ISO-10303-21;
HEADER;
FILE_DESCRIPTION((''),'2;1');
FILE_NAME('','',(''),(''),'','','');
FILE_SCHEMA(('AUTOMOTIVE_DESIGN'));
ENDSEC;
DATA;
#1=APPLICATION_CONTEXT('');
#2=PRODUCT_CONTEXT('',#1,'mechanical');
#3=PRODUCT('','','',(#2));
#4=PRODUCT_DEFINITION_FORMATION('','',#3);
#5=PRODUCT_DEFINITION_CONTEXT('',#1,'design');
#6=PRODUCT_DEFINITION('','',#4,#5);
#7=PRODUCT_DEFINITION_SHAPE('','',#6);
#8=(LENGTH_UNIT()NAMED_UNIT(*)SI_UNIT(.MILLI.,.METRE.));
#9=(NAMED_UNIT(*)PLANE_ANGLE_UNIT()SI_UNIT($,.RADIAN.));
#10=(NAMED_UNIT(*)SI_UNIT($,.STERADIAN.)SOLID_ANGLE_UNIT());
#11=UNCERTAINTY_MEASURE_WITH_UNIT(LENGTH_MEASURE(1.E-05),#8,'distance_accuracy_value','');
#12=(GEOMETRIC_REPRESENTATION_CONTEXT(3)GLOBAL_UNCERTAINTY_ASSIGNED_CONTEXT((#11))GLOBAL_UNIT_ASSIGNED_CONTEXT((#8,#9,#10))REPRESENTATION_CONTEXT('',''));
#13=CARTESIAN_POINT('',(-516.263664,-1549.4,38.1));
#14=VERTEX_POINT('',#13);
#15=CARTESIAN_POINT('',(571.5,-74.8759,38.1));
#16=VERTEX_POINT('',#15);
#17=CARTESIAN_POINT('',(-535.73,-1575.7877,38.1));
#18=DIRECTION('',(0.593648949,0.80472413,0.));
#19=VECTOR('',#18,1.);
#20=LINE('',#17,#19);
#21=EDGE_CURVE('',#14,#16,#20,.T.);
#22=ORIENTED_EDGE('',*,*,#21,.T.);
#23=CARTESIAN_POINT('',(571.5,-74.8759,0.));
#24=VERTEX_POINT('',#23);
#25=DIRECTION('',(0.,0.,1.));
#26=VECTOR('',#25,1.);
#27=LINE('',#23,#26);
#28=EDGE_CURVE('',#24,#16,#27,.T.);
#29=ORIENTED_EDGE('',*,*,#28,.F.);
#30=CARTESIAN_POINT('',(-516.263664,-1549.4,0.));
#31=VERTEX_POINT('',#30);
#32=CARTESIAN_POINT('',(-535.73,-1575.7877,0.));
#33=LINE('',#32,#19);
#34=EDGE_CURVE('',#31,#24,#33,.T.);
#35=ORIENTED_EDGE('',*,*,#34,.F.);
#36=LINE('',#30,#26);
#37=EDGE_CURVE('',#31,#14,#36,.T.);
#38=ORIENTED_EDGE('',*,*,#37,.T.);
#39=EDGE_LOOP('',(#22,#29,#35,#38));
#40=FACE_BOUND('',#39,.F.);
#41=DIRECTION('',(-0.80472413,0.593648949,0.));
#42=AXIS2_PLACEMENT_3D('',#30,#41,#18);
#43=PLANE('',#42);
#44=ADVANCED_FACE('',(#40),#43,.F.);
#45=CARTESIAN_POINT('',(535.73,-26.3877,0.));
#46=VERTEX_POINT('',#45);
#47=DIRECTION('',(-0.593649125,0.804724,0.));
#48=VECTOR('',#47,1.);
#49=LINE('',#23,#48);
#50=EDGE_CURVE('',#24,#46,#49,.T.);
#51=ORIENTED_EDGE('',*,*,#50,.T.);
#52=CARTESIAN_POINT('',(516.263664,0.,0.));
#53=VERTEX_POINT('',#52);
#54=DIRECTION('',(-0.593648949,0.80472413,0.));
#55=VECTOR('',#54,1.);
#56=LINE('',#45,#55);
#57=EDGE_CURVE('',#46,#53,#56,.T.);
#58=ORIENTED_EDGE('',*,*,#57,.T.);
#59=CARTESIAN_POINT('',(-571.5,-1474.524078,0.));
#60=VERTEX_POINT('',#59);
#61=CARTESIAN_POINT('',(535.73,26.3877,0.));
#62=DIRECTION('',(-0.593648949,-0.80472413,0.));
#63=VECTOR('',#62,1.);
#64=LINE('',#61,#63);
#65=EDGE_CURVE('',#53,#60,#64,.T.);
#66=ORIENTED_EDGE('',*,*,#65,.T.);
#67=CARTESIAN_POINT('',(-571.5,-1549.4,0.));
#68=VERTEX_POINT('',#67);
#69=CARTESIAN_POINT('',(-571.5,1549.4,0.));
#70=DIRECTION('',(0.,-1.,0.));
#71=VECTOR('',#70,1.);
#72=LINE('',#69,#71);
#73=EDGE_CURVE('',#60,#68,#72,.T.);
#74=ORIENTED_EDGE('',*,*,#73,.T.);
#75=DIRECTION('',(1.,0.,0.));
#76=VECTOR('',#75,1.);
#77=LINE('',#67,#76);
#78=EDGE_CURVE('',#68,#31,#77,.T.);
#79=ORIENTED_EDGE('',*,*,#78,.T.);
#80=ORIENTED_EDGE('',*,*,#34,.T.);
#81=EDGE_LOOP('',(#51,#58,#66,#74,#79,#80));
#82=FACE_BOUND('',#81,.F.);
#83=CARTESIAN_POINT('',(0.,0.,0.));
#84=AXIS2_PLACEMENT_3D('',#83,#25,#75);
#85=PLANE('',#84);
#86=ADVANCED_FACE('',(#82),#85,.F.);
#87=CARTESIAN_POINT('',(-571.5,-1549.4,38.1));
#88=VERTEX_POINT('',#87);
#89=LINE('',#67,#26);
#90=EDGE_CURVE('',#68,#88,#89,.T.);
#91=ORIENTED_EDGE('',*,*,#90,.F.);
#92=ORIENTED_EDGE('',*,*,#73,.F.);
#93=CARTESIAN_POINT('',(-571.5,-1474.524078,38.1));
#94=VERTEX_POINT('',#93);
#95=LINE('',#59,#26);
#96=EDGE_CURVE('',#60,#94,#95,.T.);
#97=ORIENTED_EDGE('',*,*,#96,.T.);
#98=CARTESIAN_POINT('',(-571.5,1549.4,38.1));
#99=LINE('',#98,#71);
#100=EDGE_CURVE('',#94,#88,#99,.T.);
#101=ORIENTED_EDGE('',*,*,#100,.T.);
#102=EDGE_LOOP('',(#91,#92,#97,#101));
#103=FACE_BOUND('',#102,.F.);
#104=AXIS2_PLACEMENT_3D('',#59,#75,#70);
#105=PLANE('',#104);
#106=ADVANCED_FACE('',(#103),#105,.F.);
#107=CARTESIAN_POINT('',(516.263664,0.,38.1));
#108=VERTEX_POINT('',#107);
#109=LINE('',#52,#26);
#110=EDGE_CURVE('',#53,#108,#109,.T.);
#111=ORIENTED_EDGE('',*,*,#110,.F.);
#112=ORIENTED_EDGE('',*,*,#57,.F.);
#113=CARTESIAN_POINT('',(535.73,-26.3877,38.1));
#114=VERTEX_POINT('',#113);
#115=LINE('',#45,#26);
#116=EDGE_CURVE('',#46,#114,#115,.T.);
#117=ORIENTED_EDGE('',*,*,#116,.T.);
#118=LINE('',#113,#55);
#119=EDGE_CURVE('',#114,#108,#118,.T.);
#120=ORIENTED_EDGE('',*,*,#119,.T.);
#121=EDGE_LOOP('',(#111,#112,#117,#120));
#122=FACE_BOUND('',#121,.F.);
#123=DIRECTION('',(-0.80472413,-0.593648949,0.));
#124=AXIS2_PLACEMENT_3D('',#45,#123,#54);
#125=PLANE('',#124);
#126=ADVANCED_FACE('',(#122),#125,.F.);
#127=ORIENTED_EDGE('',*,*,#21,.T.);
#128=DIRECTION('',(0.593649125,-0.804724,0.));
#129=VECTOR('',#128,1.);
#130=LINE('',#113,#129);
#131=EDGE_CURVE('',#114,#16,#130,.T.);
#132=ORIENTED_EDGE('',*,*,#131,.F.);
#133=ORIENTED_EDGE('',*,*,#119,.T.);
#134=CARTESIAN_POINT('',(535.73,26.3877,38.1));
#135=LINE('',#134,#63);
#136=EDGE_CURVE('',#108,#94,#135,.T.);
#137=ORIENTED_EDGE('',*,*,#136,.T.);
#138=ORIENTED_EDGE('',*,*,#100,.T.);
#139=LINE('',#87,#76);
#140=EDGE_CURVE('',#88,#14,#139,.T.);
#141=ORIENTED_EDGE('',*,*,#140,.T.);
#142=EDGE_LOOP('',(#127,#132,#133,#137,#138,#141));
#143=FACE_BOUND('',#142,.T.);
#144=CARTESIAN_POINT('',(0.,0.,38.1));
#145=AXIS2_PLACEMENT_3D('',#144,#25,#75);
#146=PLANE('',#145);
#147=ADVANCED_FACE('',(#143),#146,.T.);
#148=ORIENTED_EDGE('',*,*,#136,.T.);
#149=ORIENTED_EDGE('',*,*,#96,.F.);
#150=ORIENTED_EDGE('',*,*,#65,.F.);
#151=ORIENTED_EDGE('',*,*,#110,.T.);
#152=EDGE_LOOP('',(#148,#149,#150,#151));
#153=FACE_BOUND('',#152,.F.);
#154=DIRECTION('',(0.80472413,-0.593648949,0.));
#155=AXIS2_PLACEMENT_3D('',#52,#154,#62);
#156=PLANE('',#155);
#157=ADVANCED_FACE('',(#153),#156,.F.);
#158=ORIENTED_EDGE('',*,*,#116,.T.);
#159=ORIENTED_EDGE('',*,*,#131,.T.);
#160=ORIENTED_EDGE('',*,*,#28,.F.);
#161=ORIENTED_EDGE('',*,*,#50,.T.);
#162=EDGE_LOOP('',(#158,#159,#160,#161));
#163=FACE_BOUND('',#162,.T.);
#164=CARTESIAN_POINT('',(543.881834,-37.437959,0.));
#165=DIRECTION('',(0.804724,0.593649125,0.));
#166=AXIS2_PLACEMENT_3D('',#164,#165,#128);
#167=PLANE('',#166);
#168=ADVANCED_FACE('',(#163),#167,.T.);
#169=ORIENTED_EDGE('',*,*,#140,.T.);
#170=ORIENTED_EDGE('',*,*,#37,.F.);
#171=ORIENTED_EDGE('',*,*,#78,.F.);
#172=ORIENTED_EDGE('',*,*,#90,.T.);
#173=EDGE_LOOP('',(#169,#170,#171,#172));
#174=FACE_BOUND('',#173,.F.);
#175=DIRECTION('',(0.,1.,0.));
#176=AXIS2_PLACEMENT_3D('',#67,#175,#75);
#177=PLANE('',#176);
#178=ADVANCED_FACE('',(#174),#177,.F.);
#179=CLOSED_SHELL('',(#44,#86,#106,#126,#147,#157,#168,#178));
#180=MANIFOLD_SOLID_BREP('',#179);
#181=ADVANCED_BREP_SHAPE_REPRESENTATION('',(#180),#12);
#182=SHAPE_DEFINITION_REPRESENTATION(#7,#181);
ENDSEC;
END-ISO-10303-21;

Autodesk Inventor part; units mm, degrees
ref_plane "YZ Plane" through (0, 0, 0) normal (1, 0, 0) x (0, 1, 0)
ref_plane "XZ Plane" through (0, 0, 0) normal (0, 1, 0) x (-1, 0, 0)
ref_plane "XY Plane" through (0, 0, 0) normal (0, 0, 1) x (1, 0, 0)
sketch "Sketch1" plane through (0, 0, 0) normal (0, 0, 1) x (1, 0, 0)
  line L0 (-571.5, -1549.4) -> (571.5, -1549.4)
  line L1 (571.5, -1549.4) -> (571.5, 1549.4)
  line L2 (571.5, 1549.4) -> (-571.5, 1549.4)
  line L3 (-571.5, 1549.4) -> (-571.5, -1549.4)
  line L4 (-571.5, -1549.4) -> (571.5, 1549.4) construction
  line L5 (571.5, -1549.4) -> (-571.5, 1549.4) construction
  line L6 (-571.5, 0) -> (571.5, 0)
  line L7 (571.5, 0) -> (-571.5, -1549.4)
  line L8 (-535.73, -1575.7877) -> (-607.27, -1523.0123)
  line L9 (607.27, -26.3877) -> (535.73, 26.3877)
  line L10 (535.73, 26.3877) -> (-607.27, -1523.0123)
  line L11 (-535.73, -1575.7877) -> (607.27, -26.3877)
  line L12 (535.73, 26.3877) -> (571.5, 74.8759)
  line L13 (-571.5, 1549.4) -> (571.5, -1549.4) construction
  line L14 (571.5, 0) -> (-571.5, 1549.4)
  line L15 (-535.73, 1575.7877) -> (-607.27, 1523.0123)
  line L16 (607.27, 26.3877) -> (535.73, -26.3877)
  line L17 (535.73, -26.3877) -> (-607.27, 1523.0123)
  line L18 (-535.73, 1575.7877) -> (607.27, 26.3877)
  line L19 (535.73, -26.3877) -> (571.5, -74.8759)
  point P0 (0, 0)
  point P1 (571.5, 74.8759)
  point P2 (-516.2637, 1549.4)
  point P3 (-571.5, 1474.5241)
  point P4 (571.5, -74.8759)
  point P5 (571.5, -74.8759)
  point P6 (516.2637, 0)
  point P7 (-571.5, -1474.5241)
  point P8 (-516.2637, -1549.4)
  dimension "d0" = 1143
  dimension "d1" = 3098.8
  dimension "d3" = 88.9
  dimension "d4" = 88.9
extrude "Extrusion1" add sketch "Sketch1" along normal blind 38.1 contours L7 L19 L11 L0 | L3 L10 L17 L19 L7
properties part number "74+"
